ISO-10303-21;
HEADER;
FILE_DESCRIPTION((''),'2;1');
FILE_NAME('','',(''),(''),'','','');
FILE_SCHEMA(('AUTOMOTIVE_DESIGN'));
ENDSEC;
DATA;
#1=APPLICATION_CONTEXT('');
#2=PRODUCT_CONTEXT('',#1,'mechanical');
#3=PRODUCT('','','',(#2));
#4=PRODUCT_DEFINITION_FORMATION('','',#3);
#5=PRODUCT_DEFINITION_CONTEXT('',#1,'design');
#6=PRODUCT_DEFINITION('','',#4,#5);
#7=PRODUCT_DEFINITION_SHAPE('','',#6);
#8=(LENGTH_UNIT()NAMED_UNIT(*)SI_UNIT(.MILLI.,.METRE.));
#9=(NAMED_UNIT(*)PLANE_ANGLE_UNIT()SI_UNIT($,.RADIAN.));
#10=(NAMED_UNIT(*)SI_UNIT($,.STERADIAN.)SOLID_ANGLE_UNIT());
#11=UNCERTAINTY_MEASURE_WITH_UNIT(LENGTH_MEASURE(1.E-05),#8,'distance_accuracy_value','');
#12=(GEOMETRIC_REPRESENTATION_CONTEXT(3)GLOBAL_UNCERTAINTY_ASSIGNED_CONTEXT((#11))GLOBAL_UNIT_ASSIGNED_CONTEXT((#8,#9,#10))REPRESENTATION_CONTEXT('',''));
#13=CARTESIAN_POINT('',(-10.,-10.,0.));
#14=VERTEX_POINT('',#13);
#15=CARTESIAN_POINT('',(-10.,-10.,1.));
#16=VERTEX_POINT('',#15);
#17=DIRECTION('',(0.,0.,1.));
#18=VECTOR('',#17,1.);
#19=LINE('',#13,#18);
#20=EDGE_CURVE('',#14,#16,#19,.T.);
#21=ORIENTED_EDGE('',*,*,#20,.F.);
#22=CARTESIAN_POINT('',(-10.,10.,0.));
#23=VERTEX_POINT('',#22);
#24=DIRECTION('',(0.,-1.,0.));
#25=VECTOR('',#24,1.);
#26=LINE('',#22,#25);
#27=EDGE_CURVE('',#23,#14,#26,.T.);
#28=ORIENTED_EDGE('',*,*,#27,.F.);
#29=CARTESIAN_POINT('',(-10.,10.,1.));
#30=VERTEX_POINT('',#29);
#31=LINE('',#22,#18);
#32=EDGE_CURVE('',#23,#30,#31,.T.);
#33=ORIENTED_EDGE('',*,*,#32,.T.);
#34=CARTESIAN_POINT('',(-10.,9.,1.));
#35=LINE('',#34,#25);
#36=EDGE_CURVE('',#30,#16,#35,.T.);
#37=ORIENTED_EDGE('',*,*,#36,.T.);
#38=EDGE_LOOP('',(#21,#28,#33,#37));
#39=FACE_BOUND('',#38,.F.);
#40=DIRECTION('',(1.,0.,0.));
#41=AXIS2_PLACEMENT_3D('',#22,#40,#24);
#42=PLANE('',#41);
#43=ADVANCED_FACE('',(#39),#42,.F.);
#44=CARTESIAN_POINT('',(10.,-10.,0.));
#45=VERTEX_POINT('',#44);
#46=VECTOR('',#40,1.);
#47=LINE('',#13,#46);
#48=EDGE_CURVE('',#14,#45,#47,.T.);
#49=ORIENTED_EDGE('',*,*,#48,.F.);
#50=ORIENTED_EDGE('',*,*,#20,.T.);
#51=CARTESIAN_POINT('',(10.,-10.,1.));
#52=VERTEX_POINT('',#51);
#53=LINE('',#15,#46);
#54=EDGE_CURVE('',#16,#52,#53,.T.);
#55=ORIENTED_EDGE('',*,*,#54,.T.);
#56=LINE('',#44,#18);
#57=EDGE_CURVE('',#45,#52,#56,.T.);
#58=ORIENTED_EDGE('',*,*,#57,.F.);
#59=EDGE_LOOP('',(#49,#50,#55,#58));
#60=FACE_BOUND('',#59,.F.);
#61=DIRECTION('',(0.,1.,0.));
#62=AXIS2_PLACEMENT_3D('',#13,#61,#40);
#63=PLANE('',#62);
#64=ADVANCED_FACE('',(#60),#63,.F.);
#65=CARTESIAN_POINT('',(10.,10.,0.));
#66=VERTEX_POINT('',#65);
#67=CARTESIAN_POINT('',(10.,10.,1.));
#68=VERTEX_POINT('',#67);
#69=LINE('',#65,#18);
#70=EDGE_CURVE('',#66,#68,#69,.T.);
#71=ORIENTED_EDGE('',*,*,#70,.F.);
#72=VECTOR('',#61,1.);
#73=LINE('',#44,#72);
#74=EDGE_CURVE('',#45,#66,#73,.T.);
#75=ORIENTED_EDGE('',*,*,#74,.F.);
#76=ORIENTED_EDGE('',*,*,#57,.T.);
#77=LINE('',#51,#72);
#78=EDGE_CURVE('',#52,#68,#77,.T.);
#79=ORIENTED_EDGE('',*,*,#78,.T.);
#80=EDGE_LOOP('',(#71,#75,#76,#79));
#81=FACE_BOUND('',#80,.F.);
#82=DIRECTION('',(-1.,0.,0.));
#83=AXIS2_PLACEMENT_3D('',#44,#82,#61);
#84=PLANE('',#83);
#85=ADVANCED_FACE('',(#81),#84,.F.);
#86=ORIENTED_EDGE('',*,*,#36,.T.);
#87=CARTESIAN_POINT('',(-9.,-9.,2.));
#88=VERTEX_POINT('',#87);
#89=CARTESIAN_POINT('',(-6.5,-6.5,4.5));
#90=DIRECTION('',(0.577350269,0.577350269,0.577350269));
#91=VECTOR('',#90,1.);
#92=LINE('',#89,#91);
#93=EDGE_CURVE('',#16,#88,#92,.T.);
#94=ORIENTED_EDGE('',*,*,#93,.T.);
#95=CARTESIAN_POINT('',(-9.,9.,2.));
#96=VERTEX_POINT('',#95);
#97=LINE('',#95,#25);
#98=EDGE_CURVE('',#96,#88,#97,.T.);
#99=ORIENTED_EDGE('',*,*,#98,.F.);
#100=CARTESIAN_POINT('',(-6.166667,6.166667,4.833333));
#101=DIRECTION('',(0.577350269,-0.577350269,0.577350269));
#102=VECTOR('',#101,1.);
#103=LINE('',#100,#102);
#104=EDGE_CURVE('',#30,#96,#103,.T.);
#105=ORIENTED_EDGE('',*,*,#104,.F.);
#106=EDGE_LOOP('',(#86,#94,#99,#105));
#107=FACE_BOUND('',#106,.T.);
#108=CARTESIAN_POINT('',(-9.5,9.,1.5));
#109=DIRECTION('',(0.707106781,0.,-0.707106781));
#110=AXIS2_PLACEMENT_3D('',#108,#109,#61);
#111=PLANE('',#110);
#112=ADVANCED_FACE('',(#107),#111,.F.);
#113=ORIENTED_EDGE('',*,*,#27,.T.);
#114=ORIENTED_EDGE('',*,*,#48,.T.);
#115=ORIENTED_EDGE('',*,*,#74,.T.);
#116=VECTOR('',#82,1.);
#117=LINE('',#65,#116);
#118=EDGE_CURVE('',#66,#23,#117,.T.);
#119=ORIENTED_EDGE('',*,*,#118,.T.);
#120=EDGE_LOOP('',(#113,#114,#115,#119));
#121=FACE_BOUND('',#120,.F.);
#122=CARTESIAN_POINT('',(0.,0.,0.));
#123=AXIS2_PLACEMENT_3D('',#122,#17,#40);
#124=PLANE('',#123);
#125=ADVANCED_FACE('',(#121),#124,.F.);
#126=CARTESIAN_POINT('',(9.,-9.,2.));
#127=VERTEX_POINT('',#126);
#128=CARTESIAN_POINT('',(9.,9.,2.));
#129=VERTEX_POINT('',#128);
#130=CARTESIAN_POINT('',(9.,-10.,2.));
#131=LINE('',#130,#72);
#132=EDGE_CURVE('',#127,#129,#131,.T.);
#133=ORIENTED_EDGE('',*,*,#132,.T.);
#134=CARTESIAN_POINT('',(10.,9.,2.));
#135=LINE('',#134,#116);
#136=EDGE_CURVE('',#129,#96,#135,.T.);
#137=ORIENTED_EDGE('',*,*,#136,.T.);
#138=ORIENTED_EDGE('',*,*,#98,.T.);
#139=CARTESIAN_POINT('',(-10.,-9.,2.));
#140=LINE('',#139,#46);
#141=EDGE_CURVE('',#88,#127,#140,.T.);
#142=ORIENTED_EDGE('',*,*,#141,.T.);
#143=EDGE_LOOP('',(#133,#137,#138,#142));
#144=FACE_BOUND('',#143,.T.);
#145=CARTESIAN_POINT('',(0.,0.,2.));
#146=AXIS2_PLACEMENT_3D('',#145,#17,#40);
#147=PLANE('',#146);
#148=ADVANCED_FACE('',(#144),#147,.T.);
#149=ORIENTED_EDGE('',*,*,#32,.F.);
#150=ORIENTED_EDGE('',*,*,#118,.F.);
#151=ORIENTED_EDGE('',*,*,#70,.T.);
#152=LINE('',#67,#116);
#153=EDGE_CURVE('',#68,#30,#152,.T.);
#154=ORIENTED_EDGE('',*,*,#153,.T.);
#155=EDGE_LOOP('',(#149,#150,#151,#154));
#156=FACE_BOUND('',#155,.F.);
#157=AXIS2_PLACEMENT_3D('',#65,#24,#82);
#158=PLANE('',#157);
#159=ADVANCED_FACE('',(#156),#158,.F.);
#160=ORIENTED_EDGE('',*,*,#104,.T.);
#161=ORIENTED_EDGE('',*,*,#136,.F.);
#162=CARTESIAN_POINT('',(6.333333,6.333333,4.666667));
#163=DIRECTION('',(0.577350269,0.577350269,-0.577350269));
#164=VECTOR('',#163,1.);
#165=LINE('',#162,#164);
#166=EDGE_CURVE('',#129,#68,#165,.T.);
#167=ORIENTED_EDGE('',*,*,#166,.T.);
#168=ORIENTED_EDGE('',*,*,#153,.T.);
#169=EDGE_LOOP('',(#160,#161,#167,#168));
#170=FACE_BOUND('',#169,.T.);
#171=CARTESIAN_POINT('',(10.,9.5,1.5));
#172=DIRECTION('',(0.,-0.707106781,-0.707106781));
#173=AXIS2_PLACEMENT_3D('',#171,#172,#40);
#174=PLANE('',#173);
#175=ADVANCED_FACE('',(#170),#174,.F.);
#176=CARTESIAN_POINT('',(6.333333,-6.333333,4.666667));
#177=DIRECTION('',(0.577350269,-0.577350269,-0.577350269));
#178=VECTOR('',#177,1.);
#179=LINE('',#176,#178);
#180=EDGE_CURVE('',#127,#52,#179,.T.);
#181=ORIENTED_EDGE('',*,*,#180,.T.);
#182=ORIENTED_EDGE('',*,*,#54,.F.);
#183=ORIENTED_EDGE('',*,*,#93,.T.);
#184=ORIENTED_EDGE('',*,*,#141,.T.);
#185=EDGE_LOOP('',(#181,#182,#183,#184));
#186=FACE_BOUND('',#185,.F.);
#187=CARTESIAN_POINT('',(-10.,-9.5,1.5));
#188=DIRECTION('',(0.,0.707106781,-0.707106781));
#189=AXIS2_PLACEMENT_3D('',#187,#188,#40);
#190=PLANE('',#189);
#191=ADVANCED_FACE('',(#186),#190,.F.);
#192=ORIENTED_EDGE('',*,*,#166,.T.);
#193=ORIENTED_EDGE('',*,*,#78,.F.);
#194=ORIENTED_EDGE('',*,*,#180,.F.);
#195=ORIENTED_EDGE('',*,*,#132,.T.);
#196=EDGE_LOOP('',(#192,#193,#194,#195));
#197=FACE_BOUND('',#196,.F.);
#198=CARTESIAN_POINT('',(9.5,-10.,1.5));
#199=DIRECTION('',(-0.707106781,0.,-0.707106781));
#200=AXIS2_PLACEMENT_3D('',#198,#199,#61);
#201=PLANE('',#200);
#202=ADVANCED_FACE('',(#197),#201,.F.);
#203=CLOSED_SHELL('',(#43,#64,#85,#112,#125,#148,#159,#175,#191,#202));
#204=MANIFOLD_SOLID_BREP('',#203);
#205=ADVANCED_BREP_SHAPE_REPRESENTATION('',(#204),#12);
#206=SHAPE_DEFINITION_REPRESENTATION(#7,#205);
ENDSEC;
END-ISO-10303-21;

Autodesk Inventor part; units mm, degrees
ref_plane "YZ Plane" through (0, 0, 0) normal (1, 0, 0) x (0, 1, 0)
ref_plane "XZ Plane" through (0, 0, 0) normal (0, 1, 0) x (-1, 0, 0)
ref_plane "XY Plane" through (0, 0, 0) normal (0, 0, 1) x (1, 0, 0)
sketch "Sketch1" plane through (0, 0, 0) normal (0, 0, 1) x (1, 0, 0)
  line L0 (-10, -10) -> (10, -10)
  line L1 (10, -10) -> (10, 10)
  line L2 (10, 10) -> (-10, 10)
  line L3 (-10, 10) -> (-10, -10)
  line L4 (-10, -10) -> (10, 10) construction
  line L5 (10, -10) -> (-10, 10) construction
  point P0 (0, 0)
  dimension "d0" = 20
  dimension "d1" = 20
extrude "Extrusion1" add sketch "Sketch1" along normal blind 2
chamfer "Chamfer1" distance 1 angle 45 1 edges at (0, 10, 2)
chamfer "Chamfer2" distance 1 angle 45 3 edges at (10, -0.5, 2) (-10, -0.5, 2) (0, -10, 2)
properties part number "Bit Nhom 3060"
